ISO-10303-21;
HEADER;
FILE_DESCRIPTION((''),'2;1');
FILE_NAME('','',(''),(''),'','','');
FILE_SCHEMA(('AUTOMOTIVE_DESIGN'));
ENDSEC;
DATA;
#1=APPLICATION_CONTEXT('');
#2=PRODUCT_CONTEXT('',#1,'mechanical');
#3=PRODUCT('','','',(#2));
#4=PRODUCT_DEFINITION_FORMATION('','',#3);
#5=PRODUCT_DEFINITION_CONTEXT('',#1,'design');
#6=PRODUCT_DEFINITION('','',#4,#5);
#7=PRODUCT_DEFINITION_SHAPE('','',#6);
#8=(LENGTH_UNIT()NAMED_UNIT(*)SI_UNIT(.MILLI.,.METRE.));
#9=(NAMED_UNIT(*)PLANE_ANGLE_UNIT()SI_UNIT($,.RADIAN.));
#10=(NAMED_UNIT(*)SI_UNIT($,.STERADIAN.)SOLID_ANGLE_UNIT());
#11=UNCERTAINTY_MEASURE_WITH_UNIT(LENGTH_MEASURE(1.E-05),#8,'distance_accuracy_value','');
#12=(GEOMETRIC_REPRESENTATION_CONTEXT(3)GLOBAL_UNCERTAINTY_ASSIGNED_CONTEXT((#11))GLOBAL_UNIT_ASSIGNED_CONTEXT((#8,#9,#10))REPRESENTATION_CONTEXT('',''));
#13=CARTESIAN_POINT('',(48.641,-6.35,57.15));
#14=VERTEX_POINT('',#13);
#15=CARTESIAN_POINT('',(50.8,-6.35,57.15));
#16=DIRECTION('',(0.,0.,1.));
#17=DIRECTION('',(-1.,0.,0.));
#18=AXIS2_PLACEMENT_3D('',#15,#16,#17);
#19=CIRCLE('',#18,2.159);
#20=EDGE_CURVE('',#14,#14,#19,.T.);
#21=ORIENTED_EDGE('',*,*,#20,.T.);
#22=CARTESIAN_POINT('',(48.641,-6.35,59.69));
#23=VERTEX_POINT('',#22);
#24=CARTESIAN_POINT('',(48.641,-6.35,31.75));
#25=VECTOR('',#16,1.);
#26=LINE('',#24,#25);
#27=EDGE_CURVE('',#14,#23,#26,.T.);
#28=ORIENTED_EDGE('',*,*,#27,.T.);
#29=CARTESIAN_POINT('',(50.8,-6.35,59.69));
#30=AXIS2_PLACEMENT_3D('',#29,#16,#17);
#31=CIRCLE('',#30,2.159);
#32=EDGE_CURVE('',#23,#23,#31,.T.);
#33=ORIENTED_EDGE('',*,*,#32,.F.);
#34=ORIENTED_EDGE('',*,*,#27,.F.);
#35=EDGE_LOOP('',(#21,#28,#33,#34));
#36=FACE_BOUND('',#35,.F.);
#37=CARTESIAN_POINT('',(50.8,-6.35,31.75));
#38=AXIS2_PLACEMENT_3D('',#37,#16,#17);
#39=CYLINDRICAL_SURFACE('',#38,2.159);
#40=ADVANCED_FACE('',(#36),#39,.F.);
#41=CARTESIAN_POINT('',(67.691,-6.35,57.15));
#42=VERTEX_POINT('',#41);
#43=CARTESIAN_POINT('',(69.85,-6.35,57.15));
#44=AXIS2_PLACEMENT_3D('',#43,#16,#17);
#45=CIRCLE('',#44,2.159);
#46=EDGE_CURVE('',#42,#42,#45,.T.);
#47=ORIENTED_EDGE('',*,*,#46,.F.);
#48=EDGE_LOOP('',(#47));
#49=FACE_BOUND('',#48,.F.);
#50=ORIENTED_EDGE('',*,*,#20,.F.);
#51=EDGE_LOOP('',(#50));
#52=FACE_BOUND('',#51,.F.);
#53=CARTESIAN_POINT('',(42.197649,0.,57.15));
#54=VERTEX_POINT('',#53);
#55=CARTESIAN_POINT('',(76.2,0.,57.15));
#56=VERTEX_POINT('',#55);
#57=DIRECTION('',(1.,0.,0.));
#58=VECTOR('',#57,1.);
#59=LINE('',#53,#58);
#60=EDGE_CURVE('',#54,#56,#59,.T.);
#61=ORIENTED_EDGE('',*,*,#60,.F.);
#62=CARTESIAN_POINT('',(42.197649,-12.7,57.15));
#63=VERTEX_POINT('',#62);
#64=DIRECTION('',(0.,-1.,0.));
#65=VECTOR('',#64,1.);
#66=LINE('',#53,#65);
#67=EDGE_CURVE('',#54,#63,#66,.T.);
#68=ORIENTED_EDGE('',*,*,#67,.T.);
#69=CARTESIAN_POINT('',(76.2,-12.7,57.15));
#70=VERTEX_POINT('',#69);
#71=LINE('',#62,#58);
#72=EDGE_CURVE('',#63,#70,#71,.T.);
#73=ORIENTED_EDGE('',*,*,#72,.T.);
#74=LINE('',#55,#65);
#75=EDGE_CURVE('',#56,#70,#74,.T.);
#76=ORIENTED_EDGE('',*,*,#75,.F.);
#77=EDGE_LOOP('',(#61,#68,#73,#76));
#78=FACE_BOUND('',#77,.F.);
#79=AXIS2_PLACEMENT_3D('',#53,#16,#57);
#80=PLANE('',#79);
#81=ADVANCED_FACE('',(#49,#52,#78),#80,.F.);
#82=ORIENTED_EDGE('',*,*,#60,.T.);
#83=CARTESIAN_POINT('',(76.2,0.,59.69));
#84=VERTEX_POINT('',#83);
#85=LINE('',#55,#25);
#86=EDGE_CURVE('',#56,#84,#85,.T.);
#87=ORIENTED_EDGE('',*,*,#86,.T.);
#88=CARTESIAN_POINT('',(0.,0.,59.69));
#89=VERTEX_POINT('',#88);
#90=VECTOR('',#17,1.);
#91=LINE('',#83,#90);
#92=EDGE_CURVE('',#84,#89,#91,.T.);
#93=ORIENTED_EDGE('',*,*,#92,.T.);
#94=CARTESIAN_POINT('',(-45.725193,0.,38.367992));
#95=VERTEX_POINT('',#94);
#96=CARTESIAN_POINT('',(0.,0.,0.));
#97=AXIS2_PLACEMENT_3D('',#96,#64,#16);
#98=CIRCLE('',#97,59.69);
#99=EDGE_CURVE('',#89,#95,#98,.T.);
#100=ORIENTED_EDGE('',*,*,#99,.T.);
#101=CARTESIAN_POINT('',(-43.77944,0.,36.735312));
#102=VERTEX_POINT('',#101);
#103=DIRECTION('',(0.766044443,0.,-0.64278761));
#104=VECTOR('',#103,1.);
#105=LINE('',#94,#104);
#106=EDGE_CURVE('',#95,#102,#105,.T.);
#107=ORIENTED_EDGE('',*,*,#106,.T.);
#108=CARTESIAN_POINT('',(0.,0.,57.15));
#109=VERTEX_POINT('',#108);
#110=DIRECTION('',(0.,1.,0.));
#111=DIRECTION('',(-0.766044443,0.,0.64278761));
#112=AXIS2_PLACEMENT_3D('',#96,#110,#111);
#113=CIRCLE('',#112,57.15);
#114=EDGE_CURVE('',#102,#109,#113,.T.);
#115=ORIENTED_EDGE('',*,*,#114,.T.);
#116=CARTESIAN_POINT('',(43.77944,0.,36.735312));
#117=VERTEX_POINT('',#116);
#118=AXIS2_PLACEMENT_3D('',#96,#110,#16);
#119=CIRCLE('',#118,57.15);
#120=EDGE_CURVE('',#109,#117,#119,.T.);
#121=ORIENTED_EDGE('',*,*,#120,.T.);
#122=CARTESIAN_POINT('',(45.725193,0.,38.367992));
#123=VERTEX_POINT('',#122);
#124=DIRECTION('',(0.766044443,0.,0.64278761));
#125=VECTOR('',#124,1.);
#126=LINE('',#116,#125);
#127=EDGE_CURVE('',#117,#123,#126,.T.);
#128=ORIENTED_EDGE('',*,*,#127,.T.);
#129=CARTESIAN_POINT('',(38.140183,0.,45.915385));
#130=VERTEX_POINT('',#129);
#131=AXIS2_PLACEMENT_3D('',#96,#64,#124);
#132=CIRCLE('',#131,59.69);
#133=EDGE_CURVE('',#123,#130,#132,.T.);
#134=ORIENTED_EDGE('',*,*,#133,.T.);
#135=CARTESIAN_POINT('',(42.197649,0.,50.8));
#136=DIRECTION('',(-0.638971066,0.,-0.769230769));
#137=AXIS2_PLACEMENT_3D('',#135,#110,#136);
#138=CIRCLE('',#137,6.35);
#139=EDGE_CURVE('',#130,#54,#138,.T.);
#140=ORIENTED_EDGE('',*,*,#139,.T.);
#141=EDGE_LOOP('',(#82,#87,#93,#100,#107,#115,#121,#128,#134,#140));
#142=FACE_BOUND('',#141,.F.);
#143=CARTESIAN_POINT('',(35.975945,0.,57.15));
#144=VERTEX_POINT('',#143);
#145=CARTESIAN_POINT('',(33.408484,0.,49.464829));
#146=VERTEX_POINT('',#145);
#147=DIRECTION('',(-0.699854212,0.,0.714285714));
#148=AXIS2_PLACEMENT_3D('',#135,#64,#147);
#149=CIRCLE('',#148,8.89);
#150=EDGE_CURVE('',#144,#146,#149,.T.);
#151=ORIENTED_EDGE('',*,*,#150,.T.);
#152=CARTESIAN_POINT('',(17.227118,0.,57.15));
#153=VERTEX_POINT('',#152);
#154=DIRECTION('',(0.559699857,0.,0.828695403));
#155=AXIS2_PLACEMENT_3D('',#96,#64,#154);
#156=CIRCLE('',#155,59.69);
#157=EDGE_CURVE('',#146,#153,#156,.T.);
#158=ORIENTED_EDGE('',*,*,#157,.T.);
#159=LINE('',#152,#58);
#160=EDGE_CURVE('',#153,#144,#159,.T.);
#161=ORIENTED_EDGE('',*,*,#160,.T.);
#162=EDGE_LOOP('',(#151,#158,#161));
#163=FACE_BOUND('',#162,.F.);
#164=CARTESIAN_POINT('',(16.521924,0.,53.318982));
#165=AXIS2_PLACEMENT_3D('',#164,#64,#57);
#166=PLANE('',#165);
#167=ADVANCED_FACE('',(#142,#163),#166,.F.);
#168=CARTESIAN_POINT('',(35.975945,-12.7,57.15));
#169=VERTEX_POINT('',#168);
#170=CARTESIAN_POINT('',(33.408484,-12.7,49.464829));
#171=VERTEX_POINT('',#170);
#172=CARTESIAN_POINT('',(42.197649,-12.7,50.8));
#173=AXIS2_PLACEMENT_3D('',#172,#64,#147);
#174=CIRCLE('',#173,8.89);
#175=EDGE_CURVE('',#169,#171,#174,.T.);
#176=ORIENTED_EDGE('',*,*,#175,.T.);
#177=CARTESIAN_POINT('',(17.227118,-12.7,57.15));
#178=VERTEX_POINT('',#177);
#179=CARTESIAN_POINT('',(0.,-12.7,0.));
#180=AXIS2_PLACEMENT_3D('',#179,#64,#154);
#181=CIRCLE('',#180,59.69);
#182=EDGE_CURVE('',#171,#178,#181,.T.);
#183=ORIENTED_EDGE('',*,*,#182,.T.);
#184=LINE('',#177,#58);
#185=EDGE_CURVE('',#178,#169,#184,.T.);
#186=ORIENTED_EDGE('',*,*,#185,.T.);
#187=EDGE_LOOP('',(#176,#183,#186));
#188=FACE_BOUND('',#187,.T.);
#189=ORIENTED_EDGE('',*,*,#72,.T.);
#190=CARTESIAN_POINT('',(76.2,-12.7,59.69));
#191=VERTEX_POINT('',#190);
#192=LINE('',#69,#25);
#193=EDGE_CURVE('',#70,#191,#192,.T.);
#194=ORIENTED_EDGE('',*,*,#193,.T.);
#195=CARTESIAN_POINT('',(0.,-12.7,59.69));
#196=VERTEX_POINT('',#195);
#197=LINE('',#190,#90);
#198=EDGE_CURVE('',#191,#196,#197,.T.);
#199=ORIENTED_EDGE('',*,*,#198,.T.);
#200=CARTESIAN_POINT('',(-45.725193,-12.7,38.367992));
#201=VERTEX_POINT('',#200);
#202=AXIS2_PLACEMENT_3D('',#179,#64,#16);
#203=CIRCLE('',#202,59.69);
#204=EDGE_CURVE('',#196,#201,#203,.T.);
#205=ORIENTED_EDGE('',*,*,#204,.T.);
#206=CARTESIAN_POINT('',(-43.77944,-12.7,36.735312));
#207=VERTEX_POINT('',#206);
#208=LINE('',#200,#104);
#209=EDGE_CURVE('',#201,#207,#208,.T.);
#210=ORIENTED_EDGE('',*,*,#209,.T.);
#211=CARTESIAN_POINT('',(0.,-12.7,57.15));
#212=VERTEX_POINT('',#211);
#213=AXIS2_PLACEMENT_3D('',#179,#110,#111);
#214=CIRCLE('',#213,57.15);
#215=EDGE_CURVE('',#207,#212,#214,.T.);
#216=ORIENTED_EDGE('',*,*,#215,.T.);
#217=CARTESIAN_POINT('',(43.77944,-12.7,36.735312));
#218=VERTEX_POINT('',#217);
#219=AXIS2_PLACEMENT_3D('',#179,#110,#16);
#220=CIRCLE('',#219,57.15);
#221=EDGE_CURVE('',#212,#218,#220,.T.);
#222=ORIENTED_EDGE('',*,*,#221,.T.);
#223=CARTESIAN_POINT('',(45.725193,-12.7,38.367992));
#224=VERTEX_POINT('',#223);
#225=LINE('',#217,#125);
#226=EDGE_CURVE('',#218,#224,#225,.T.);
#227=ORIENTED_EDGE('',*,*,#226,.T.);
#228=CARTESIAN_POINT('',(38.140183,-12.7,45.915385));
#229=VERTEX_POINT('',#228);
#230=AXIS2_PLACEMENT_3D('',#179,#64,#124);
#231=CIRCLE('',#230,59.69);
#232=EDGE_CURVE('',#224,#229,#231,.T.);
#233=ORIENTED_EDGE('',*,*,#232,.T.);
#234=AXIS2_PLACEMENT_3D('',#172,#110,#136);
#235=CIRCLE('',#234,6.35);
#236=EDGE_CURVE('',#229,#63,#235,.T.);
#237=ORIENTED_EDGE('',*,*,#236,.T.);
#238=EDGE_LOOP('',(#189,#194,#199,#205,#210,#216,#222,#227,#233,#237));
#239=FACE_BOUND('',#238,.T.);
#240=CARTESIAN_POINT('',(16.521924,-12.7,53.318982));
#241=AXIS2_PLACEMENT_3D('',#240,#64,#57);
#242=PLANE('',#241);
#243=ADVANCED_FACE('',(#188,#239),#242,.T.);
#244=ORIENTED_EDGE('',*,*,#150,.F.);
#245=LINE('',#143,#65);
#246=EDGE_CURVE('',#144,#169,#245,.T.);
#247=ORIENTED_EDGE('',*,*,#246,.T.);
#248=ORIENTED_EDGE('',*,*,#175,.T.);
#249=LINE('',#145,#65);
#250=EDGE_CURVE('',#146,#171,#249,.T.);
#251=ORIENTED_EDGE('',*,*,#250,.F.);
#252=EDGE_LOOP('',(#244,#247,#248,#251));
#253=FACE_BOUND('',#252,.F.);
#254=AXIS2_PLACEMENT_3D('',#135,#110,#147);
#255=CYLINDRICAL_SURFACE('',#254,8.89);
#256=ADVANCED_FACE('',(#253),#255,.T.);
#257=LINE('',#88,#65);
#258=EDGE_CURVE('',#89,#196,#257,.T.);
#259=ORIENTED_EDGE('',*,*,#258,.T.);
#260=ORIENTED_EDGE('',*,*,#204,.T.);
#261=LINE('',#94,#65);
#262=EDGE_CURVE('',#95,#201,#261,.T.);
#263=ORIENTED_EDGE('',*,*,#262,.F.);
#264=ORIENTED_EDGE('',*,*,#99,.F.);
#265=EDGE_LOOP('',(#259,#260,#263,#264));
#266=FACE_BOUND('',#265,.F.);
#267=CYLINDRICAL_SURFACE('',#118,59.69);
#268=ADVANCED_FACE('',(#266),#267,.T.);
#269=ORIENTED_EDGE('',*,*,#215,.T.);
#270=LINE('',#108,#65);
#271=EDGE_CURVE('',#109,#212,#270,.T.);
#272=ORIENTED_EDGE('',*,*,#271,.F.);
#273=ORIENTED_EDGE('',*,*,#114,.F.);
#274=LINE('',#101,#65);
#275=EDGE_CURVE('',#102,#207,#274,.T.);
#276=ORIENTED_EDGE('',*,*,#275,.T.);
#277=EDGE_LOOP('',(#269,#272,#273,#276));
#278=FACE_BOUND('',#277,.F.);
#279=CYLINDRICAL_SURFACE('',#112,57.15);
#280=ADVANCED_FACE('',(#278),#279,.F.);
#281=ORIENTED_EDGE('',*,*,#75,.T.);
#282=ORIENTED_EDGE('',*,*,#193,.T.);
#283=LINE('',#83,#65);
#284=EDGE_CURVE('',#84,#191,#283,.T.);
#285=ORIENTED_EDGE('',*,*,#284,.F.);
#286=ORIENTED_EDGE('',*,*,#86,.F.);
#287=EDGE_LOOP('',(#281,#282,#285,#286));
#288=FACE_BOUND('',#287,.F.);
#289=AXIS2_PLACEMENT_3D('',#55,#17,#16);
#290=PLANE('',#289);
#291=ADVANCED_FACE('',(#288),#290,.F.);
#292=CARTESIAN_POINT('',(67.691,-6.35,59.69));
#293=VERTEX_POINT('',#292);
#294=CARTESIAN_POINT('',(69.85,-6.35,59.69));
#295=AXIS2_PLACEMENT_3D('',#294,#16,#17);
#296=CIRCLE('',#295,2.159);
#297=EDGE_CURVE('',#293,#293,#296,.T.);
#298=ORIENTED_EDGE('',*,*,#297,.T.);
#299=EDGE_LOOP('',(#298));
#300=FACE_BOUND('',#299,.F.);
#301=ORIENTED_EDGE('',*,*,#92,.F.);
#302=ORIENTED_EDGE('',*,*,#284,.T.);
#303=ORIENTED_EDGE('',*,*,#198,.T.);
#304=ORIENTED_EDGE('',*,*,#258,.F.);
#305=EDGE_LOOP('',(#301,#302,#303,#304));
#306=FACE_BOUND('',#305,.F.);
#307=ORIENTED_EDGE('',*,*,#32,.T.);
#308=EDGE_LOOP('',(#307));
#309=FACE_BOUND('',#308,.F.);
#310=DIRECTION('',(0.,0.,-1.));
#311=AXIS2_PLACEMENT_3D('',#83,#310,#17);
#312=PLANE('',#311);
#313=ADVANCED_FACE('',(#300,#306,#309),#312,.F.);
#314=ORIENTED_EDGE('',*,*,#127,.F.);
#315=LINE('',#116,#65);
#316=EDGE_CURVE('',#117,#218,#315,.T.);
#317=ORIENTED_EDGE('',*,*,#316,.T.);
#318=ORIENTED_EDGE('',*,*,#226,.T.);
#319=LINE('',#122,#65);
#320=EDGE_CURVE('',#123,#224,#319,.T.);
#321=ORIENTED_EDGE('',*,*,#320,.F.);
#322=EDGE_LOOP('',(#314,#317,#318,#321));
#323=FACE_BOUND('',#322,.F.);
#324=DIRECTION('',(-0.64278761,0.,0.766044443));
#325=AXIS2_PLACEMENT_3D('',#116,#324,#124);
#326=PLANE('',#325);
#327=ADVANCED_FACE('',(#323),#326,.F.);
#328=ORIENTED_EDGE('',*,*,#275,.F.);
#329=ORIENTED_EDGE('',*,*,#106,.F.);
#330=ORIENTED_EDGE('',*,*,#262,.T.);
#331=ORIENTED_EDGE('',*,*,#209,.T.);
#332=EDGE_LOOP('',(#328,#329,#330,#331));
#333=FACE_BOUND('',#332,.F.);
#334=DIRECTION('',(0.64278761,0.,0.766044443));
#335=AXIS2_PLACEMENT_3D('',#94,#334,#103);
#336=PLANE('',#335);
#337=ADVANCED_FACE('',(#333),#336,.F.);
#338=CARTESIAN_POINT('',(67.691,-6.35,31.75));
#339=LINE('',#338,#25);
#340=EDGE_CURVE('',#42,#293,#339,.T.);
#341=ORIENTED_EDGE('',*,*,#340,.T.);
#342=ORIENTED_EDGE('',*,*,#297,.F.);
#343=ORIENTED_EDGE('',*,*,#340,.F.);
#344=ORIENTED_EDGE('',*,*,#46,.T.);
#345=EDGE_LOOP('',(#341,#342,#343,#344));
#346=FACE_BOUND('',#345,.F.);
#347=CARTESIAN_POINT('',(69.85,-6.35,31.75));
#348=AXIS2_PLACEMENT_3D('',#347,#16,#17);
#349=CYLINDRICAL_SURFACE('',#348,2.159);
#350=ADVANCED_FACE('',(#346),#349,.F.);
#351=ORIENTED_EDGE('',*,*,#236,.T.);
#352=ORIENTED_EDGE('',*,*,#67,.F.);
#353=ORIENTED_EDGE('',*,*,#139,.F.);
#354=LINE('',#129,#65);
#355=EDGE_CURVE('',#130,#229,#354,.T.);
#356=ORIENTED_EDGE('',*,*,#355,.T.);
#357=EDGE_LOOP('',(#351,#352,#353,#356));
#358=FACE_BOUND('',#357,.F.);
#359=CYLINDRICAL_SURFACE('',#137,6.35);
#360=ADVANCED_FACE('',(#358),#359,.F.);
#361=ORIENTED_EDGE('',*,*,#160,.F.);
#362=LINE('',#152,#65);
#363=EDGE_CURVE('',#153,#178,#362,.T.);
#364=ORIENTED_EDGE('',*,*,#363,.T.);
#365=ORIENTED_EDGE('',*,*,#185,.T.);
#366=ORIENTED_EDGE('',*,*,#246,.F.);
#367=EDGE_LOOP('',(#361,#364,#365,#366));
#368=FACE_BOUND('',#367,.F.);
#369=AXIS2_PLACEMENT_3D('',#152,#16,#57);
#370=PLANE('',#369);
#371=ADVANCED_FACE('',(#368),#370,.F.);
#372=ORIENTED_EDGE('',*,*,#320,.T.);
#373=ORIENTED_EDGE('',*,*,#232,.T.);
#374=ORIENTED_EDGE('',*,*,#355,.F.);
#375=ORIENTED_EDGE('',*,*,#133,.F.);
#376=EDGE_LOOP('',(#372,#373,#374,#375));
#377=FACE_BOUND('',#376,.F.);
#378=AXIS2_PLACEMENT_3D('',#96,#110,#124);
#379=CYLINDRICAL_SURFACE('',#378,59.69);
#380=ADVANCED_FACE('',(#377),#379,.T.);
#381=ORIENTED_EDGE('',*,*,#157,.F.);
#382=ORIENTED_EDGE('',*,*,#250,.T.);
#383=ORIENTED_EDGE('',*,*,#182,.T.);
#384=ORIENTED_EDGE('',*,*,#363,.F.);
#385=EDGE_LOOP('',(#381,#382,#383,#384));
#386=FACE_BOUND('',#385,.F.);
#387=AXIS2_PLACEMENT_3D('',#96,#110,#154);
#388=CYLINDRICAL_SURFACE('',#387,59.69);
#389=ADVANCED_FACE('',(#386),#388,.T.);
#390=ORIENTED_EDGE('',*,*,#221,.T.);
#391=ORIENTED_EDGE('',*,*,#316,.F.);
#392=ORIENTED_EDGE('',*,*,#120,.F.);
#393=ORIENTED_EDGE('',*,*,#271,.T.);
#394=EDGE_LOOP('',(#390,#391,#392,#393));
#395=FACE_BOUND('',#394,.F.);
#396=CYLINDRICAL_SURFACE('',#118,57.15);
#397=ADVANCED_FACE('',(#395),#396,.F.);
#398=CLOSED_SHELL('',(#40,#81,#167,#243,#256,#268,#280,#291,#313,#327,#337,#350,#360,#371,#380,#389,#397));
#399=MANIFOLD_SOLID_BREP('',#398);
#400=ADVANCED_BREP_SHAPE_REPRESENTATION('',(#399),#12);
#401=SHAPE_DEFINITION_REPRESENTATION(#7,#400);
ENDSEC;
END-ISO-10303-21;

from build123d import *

# Parameters (mm, degrees)
F1_DEPTH = 12.7
F3_D     = 4.318
F3_DEPTH = 25.4
F3_TIP   = 1.2972580765


with BuildPart() as f1:
    # F0 (on Front) → F1 (new body)
    with BuildSketch(Plane.XZ):
        with BuildLine():
            ThreePointArc((0, 57.15), (24.1526336585, 51.7954900291), (43.7794399242, 36.7353118936))
            Line((43.7794399242, 36.7353118936), (45.7251928098, 38.3679924222))
            ThreePointArc((45.7251928098, 38.3679924222), (42.1021507188, 42.3119959923), (38.1401829521, 45.9153846154))
            ThreePointArc((38.1401829521, 45.9153846154), (36.2252205848, 52.95698775), (42.1976492236, 57.15))
            Line((42.1976492236, 57.15), (76.2, 57.15))
            Line((76.2, 57.15), (76.2, 59.69))
            Line((76.2, 59.69), (0, 59.69))
            ThreePointArc((0, 59.69), (-25.2260840433, 54.0975118082), (-45.7251928098, 38.3679924222))
            Line((-45.7251928098, 38.3679924222), (-43.7794399242, 36.7353118936))
            ThreePointArc((-43.7794399242, 36.7353118936), (-24.1526336585, 51.7954900291), (0, 57.15))
        make_face()
        with BuildLine():
            Line((17.2271181571, 57.15), (35.975945277, 57.15))
            ThreePointArc((35.975945277, 57.15), (33.7657449416, 53.6169292109), (33.4084844583, 49.4648285775))
            ThreePointArc((33.4084844583, 49.4648285775), (25.6077435165, 53.9178965836), (17.2271181571, 57.15))
        make_face(mode=Mode.SUBTRACT)
    extrude(amount=F1_DEPTH)

    # F3
    with Locations(Plane(origin=(0, 0, 57.15), x_dir=(1, 0, 0), z_dir=(0, 0, -1))):
        with Locations((69.85, 6.35), (50.8, 6.35)):
            Hole(F3_D / 2, depth=F3_DEPTH)
            with Locations((0, 0, -(F3_DEPTH + F3_TIP / 2))):  # 118° drill point
                Cone(0, F3_D / 2, F3_TIP, mode=Mode.SUBTRACT)


solid = f1.part
